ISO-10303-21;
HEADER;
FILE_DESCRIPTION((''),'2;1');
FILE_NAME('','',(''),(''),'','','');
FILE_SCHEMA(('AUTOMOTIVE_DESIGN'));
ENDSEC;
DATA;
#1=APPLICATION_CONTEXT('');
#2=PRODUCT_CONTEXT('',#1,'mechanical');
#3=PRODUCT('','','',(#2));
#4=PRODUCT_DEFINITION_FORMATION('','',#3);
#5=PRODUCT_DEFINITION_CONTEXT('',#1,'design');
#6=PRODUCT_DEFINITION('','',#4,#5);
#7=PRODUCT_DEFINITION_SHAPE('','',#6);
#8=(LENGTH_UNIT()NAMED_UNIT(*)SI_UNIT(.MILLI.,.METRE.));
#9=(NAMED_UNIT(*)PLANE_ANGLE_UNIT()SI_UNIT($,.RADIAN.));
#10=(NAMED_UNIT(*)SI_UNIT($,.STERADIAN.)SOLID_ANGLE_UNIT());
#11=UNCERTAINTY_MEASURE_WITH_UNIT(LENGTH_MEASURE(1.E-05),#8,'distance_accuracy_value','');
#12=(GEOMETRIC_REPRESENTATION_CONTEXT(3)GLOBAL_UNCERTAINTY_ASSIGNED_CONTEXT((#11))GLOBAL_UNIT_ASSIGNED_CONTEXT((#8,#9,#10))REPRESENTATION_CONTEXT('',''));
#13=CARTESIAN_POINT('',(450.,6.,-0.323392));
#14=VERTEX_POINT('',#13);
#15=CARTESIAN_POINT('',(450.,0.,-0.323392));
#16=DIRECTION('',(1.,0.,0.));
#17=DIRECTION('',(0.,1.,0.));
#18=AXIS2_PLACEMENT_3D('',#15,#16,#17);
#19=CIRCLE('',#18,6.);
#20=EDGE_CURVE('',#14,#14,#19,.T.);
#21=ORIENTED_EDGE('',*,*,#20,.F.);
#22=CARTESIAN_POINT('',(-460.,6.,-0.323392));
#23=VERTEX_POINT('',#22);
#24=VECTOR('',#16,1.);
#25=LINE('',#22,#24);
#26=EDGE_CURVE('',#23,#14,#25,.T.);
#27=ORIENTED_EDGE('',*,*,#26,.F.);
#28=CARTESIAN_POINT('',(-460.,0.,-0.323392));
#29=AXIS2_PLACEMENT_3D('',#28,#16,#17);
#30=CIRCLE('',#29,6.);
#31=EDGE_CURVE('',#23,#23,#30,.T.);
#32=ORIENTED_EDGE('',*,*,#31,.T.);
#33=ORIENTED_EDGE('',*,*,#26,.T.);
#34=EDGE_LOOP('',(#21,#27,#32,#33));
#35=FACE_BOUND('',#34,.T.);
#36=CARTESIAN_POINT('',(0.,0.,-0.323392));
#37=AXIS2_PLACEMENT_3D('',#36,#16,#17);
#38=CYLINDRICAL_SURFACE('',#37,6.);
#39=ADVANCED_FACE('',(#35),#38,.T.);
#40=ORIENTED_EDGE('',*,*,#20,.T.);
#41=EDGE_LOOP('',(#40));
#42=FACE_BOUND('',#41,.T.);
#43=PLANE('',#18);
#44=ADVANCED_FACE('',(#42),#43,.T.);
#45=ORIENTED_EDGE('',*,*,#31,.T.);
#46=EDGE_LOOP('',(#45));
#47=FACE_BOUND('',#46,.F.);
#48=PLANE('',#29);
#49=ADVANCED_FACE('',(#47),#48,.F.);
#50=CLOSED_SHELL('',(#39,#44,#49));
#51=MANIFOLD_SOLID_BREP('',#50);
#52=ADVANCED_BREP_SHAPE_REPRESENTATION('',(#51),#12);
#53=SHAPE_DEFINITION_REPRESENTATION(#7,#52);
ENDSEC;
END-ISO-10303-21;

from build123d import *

# Parameters (mm, degrees)
F0_R          = 6
F1_DEPTH      = 450
F1_DEPTH_BACK = 460


with BuildPart() as f1:
    # F0 (on Right) → F1 (new body, two sides)
    with BuildSketch(Plane.YZ) as f1_sk:
        with Locations((0, -0.323392)):
            Circle(F0_R)
    extrude(amount=F1_DEPTH)
    extrude(f1_sk.sketch, amount=-F1_DEPTH_BACK)


solid = f1.part
